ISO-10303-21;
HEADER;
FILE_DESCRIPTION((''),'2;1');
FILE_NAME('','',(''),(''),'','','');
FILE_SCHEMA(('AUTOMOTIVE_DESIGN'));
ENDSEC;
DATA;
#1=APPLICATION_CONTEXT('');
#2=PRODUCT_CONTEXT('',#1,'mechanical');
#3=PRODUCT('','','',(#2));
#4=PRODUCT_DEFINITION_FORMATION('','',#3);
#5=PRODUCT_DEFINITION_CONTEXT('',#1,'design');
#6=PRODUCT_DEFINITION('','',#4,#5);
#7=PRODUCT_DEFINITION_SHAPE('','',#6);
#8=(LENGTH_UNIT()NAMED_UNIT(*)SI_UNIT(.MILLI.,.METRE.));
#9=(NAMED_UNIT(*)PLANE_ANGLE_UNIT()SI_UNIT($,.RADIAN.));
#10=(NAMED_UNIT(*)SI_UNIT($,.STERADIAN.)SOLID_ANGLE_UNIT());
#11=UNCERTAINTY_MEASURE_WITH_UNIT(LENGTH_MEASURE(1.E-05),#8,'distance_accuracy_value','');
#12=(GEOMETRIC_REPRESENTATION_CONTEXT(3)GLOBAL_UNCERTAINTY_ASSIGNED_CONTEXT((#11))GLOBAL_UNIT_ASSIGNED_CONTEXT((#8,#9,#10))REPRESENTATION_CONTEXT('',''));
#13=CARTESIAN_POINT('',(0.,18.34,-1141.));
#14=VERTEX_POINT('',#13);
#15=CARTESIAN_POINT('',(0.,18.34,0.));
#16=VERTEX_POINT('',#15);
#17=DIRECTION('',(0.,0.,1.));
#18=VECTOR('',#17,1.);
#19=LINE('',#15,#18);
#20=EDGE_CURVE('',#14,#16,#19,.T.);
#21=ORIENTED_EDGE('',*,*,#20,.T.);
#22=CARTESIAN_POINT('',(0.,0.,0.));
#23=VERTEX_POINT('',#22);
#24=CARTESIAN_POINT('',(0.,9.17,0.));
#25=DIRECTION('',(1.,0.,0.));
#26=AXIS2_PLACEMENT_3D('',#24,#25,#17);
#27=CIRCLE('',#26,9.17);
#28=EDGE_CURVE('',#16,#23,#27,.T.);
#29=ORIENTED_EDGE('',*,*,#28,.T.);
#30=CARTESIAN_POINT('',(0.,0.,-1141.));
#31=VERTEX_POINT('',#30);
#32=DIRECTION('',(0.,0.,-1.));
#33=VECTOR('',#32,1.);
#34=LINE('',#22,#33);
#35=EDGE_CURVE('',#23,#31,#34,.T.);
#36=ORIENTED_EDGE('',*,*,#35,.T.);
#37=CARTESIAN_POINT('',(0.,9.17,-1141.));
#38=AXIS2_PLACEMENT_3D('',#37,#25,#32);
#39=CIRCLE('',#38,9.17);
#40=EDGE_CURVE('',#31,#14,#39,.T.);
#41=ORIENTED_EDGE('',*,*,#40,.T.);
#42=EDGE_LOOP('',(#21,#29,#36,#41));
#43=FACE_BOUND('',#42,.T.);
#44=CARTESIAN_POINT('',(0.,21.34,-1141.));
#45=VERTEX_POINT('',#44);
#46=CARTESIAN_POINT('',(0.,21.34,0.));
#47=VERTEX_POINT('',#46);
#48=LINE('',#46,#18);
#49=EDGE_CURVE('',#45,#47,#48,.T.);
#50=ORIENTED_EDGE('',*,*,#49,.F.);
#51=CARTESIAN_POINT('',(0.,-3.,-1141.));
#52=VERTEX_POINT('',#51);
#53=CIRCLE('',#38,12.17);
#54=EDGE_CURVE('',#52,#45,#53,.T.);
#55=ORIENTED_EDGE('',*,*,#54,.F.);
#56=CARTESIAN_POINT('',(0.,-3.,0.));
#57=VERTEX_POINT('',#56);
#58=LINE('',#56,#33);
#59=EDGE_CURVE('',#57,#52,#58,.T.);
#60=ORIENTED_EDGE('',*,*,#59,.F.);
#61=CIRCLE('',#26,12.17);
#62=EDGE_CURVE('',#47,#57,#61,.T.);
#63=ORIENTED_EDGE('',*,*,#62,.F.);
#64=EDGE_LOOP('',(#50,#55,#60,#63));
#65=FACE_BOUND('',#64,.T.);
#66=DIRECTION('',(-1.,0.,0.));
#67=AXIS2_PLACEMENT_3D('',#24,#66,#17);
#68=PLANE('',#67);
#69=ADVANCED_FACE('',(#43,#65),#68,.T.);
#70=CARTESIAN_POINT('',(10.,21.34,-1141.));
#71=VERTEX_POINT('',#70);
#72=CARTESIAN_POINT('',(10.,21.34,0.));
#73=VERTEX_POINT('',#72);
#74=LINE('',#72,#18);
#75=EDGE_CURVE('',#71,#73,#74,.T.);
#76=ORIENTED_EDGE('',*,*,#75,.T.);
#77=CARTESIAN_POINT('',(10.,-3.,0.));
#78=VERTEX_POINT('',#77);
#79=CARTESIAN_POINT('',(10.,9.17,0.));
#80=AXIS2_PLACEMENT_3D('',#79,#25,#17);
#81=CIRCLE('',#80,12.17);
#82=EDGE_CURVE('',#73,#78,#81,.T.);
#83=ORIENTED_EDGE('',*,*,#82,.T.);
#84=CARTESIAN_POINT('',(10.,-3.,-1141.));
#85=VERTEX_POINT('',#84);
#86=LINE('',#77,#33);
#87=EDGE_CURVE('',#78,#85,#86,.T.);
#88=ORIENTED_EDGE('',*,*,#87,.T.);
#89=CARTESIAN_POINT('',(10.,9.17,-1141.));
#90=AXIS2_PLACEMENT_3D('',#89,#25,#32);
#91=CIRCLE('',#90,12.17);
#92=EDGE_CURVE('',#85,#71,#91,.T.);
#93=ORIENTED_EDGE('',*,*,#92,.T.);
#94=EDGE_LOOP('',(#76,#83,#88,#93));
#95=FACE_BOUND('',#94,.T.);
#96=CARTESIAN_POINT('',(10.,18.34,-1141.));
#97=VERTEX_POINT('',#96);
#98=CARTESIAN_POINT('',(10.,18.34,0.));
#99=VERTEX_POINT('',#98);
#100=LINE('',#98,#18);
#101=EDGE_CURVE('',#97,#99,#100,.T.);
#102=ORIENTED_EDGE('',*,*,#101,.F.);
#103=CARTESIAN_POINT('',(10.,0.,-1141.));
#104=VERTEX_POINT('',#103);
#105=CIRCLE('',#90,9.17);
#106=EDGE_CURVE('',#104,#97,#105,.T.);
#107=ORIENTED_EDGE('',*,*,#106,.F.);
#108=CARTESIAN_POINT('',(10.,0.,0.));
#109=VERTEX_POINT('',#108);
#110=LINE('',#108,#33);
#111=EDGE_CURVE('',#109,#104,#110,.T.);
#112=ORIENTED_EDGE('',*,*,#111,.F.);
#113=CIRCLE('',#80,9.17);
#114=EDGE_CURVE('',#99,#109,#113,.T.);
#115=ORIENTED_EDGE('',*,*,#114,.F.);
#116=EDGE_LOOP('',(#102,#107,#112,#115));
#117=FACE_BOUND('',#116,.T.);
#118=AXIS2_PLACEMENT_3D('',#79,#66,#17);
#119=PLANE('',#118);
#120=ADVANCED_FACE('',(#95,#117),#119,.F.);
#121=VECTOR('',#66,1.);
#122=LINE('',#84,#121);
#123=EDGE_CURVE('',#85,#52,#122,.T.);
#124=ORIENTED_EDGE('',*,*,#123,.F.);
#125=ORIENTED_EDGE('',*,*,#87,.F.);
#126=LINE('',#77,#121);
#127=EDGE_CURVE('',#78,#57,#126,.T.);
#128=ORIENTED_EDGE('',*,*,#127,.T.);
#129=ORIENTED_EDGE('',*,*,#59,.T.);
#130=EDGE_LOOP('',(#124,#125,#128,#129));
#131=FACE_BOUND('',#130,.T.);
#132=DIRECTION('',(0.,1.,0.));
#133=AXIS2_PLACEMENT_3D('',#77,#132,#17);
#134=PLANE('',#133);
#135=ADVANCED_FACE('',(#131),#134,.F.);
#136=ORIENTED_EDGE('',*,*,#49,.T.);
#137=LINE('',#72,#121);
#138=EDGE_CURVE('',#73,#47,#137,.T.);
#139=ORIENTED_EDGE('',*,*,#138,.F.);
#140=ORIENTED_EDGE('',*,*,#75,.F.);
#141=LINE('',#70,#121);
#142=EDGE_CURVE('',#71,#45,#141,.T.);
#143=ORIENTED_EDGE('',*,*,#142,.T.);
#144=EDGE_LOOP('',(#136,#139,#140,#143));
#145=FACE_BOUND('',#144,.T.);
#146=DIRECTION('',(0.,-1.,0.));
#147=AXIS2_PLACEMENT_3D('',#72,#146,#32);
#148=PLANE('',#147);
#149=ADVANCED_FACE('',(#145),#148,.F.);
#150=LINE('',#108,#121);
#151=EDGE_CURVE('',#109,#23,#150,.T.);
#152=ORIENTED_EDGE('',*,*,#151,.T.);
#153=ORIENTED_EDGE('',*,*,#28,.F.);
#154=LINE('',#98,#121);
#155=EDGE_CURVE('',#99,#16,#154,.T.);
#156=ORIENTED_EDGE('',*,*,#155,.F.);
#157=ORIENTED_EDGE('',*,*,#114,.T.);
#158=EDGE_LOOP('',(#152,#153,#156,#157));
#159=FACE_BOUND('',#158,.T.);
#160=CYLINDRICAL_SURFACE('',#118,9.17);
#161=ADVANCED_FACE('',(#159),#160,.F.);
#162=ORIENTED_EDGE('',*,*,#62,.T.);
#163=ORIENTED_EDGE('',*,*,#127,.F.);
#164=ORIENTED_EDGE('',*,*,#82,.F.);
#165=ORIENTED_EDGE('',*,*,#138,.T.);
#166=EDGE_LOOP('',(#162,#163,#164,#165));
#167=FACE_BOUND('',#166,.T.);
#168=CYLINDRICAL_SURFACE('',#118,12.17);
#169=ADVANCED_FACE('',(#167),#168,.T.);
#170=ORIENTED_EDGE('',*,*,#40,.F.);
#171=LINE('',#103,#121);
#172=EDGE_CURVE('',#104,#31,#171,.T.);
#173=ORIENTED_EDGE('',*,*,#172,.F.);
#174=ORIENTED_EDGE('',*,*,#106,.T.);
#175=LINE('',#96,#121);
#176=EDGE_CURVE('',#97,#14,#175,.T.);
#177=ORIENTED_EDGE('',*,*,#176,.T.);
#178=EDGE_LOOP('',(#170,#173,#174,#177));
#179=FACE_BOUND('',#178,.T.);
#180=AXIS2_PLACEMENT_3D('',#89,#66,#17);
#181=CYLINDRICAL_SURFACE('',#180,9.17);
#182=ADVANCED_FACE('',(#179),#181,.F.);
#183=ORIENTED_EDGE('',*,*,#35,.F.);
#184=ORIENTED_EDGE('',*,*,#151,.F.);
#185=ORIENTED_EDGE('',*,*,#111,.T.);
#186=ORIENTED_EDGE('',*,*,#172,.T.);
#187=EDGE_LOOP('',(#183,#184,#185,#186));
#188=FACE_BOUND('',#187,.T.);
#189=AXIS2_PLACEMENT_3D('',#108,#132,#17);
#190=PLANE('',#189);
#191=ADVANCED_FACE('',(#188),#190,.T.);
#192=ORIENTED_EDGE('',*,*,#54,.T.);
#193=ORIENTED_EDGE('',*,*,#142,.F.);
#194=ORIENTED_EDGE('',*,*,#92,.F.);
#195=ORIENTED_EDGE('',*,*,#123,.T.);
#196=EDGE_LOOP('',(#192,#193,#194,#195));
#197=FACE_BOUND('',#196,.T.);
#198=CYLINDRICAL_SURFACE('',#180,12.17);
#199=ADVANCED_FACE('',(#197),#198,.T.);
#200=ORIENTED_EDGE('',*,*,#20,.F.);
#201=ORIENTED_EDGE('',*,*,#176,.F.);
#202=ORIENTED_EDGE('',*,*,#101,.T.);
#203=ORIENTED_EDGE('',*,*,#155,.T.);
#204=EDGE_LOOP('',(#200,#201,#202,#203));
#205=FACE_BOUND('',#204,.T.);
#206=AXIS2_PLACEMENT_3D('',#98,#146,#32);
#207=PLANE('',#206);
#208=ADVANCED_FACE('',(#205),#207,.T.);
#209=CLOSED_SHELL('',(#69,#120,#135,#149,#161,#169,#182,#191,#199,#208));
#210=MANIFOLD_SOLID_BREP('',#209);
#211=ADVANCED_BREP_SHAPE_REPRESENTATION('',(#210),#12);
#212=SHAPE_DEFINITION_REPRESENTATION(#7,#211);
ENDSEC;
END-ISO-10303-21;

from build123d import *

# Parameters (mm, degrees)
EXTRUDE_1_DEPTH = 10


with BuildPart() as part:
    # 草图1 → 凸台-拉伸1 (new body)
    with BuildSketch(Plane(origin=(0, 0, 0), x_dir=(0, 0, -1), z_dir=(1, 0, 0))):
        with BuildLine():
            Line((0, 21.34), (1141, 21.34))
            ThreePointArc((1141, 21.34), (1153.17, 9.17), (1141, -3))
            Line((1141, -3), (0, -3))
            ThreePointArc((0, -3), (-12.17, 9.17), (0, 21.34))
        make_face()
        with BuildLine():
            Line((0, 0), (1141, 0))
            ThreePointArc((1141, 0), (1150.17, 9.17), (1141, 18.34))
            Line((1141, 18.34), (0, 18.34))
            ThreePointArc((0, 18.34), (-9.17, 9.17), (0, 0))
        make_face(mode=Mode.SUBTRACT)
    extrude(amount=EXTRUDE_1_DEPTH)


solid = part.part
